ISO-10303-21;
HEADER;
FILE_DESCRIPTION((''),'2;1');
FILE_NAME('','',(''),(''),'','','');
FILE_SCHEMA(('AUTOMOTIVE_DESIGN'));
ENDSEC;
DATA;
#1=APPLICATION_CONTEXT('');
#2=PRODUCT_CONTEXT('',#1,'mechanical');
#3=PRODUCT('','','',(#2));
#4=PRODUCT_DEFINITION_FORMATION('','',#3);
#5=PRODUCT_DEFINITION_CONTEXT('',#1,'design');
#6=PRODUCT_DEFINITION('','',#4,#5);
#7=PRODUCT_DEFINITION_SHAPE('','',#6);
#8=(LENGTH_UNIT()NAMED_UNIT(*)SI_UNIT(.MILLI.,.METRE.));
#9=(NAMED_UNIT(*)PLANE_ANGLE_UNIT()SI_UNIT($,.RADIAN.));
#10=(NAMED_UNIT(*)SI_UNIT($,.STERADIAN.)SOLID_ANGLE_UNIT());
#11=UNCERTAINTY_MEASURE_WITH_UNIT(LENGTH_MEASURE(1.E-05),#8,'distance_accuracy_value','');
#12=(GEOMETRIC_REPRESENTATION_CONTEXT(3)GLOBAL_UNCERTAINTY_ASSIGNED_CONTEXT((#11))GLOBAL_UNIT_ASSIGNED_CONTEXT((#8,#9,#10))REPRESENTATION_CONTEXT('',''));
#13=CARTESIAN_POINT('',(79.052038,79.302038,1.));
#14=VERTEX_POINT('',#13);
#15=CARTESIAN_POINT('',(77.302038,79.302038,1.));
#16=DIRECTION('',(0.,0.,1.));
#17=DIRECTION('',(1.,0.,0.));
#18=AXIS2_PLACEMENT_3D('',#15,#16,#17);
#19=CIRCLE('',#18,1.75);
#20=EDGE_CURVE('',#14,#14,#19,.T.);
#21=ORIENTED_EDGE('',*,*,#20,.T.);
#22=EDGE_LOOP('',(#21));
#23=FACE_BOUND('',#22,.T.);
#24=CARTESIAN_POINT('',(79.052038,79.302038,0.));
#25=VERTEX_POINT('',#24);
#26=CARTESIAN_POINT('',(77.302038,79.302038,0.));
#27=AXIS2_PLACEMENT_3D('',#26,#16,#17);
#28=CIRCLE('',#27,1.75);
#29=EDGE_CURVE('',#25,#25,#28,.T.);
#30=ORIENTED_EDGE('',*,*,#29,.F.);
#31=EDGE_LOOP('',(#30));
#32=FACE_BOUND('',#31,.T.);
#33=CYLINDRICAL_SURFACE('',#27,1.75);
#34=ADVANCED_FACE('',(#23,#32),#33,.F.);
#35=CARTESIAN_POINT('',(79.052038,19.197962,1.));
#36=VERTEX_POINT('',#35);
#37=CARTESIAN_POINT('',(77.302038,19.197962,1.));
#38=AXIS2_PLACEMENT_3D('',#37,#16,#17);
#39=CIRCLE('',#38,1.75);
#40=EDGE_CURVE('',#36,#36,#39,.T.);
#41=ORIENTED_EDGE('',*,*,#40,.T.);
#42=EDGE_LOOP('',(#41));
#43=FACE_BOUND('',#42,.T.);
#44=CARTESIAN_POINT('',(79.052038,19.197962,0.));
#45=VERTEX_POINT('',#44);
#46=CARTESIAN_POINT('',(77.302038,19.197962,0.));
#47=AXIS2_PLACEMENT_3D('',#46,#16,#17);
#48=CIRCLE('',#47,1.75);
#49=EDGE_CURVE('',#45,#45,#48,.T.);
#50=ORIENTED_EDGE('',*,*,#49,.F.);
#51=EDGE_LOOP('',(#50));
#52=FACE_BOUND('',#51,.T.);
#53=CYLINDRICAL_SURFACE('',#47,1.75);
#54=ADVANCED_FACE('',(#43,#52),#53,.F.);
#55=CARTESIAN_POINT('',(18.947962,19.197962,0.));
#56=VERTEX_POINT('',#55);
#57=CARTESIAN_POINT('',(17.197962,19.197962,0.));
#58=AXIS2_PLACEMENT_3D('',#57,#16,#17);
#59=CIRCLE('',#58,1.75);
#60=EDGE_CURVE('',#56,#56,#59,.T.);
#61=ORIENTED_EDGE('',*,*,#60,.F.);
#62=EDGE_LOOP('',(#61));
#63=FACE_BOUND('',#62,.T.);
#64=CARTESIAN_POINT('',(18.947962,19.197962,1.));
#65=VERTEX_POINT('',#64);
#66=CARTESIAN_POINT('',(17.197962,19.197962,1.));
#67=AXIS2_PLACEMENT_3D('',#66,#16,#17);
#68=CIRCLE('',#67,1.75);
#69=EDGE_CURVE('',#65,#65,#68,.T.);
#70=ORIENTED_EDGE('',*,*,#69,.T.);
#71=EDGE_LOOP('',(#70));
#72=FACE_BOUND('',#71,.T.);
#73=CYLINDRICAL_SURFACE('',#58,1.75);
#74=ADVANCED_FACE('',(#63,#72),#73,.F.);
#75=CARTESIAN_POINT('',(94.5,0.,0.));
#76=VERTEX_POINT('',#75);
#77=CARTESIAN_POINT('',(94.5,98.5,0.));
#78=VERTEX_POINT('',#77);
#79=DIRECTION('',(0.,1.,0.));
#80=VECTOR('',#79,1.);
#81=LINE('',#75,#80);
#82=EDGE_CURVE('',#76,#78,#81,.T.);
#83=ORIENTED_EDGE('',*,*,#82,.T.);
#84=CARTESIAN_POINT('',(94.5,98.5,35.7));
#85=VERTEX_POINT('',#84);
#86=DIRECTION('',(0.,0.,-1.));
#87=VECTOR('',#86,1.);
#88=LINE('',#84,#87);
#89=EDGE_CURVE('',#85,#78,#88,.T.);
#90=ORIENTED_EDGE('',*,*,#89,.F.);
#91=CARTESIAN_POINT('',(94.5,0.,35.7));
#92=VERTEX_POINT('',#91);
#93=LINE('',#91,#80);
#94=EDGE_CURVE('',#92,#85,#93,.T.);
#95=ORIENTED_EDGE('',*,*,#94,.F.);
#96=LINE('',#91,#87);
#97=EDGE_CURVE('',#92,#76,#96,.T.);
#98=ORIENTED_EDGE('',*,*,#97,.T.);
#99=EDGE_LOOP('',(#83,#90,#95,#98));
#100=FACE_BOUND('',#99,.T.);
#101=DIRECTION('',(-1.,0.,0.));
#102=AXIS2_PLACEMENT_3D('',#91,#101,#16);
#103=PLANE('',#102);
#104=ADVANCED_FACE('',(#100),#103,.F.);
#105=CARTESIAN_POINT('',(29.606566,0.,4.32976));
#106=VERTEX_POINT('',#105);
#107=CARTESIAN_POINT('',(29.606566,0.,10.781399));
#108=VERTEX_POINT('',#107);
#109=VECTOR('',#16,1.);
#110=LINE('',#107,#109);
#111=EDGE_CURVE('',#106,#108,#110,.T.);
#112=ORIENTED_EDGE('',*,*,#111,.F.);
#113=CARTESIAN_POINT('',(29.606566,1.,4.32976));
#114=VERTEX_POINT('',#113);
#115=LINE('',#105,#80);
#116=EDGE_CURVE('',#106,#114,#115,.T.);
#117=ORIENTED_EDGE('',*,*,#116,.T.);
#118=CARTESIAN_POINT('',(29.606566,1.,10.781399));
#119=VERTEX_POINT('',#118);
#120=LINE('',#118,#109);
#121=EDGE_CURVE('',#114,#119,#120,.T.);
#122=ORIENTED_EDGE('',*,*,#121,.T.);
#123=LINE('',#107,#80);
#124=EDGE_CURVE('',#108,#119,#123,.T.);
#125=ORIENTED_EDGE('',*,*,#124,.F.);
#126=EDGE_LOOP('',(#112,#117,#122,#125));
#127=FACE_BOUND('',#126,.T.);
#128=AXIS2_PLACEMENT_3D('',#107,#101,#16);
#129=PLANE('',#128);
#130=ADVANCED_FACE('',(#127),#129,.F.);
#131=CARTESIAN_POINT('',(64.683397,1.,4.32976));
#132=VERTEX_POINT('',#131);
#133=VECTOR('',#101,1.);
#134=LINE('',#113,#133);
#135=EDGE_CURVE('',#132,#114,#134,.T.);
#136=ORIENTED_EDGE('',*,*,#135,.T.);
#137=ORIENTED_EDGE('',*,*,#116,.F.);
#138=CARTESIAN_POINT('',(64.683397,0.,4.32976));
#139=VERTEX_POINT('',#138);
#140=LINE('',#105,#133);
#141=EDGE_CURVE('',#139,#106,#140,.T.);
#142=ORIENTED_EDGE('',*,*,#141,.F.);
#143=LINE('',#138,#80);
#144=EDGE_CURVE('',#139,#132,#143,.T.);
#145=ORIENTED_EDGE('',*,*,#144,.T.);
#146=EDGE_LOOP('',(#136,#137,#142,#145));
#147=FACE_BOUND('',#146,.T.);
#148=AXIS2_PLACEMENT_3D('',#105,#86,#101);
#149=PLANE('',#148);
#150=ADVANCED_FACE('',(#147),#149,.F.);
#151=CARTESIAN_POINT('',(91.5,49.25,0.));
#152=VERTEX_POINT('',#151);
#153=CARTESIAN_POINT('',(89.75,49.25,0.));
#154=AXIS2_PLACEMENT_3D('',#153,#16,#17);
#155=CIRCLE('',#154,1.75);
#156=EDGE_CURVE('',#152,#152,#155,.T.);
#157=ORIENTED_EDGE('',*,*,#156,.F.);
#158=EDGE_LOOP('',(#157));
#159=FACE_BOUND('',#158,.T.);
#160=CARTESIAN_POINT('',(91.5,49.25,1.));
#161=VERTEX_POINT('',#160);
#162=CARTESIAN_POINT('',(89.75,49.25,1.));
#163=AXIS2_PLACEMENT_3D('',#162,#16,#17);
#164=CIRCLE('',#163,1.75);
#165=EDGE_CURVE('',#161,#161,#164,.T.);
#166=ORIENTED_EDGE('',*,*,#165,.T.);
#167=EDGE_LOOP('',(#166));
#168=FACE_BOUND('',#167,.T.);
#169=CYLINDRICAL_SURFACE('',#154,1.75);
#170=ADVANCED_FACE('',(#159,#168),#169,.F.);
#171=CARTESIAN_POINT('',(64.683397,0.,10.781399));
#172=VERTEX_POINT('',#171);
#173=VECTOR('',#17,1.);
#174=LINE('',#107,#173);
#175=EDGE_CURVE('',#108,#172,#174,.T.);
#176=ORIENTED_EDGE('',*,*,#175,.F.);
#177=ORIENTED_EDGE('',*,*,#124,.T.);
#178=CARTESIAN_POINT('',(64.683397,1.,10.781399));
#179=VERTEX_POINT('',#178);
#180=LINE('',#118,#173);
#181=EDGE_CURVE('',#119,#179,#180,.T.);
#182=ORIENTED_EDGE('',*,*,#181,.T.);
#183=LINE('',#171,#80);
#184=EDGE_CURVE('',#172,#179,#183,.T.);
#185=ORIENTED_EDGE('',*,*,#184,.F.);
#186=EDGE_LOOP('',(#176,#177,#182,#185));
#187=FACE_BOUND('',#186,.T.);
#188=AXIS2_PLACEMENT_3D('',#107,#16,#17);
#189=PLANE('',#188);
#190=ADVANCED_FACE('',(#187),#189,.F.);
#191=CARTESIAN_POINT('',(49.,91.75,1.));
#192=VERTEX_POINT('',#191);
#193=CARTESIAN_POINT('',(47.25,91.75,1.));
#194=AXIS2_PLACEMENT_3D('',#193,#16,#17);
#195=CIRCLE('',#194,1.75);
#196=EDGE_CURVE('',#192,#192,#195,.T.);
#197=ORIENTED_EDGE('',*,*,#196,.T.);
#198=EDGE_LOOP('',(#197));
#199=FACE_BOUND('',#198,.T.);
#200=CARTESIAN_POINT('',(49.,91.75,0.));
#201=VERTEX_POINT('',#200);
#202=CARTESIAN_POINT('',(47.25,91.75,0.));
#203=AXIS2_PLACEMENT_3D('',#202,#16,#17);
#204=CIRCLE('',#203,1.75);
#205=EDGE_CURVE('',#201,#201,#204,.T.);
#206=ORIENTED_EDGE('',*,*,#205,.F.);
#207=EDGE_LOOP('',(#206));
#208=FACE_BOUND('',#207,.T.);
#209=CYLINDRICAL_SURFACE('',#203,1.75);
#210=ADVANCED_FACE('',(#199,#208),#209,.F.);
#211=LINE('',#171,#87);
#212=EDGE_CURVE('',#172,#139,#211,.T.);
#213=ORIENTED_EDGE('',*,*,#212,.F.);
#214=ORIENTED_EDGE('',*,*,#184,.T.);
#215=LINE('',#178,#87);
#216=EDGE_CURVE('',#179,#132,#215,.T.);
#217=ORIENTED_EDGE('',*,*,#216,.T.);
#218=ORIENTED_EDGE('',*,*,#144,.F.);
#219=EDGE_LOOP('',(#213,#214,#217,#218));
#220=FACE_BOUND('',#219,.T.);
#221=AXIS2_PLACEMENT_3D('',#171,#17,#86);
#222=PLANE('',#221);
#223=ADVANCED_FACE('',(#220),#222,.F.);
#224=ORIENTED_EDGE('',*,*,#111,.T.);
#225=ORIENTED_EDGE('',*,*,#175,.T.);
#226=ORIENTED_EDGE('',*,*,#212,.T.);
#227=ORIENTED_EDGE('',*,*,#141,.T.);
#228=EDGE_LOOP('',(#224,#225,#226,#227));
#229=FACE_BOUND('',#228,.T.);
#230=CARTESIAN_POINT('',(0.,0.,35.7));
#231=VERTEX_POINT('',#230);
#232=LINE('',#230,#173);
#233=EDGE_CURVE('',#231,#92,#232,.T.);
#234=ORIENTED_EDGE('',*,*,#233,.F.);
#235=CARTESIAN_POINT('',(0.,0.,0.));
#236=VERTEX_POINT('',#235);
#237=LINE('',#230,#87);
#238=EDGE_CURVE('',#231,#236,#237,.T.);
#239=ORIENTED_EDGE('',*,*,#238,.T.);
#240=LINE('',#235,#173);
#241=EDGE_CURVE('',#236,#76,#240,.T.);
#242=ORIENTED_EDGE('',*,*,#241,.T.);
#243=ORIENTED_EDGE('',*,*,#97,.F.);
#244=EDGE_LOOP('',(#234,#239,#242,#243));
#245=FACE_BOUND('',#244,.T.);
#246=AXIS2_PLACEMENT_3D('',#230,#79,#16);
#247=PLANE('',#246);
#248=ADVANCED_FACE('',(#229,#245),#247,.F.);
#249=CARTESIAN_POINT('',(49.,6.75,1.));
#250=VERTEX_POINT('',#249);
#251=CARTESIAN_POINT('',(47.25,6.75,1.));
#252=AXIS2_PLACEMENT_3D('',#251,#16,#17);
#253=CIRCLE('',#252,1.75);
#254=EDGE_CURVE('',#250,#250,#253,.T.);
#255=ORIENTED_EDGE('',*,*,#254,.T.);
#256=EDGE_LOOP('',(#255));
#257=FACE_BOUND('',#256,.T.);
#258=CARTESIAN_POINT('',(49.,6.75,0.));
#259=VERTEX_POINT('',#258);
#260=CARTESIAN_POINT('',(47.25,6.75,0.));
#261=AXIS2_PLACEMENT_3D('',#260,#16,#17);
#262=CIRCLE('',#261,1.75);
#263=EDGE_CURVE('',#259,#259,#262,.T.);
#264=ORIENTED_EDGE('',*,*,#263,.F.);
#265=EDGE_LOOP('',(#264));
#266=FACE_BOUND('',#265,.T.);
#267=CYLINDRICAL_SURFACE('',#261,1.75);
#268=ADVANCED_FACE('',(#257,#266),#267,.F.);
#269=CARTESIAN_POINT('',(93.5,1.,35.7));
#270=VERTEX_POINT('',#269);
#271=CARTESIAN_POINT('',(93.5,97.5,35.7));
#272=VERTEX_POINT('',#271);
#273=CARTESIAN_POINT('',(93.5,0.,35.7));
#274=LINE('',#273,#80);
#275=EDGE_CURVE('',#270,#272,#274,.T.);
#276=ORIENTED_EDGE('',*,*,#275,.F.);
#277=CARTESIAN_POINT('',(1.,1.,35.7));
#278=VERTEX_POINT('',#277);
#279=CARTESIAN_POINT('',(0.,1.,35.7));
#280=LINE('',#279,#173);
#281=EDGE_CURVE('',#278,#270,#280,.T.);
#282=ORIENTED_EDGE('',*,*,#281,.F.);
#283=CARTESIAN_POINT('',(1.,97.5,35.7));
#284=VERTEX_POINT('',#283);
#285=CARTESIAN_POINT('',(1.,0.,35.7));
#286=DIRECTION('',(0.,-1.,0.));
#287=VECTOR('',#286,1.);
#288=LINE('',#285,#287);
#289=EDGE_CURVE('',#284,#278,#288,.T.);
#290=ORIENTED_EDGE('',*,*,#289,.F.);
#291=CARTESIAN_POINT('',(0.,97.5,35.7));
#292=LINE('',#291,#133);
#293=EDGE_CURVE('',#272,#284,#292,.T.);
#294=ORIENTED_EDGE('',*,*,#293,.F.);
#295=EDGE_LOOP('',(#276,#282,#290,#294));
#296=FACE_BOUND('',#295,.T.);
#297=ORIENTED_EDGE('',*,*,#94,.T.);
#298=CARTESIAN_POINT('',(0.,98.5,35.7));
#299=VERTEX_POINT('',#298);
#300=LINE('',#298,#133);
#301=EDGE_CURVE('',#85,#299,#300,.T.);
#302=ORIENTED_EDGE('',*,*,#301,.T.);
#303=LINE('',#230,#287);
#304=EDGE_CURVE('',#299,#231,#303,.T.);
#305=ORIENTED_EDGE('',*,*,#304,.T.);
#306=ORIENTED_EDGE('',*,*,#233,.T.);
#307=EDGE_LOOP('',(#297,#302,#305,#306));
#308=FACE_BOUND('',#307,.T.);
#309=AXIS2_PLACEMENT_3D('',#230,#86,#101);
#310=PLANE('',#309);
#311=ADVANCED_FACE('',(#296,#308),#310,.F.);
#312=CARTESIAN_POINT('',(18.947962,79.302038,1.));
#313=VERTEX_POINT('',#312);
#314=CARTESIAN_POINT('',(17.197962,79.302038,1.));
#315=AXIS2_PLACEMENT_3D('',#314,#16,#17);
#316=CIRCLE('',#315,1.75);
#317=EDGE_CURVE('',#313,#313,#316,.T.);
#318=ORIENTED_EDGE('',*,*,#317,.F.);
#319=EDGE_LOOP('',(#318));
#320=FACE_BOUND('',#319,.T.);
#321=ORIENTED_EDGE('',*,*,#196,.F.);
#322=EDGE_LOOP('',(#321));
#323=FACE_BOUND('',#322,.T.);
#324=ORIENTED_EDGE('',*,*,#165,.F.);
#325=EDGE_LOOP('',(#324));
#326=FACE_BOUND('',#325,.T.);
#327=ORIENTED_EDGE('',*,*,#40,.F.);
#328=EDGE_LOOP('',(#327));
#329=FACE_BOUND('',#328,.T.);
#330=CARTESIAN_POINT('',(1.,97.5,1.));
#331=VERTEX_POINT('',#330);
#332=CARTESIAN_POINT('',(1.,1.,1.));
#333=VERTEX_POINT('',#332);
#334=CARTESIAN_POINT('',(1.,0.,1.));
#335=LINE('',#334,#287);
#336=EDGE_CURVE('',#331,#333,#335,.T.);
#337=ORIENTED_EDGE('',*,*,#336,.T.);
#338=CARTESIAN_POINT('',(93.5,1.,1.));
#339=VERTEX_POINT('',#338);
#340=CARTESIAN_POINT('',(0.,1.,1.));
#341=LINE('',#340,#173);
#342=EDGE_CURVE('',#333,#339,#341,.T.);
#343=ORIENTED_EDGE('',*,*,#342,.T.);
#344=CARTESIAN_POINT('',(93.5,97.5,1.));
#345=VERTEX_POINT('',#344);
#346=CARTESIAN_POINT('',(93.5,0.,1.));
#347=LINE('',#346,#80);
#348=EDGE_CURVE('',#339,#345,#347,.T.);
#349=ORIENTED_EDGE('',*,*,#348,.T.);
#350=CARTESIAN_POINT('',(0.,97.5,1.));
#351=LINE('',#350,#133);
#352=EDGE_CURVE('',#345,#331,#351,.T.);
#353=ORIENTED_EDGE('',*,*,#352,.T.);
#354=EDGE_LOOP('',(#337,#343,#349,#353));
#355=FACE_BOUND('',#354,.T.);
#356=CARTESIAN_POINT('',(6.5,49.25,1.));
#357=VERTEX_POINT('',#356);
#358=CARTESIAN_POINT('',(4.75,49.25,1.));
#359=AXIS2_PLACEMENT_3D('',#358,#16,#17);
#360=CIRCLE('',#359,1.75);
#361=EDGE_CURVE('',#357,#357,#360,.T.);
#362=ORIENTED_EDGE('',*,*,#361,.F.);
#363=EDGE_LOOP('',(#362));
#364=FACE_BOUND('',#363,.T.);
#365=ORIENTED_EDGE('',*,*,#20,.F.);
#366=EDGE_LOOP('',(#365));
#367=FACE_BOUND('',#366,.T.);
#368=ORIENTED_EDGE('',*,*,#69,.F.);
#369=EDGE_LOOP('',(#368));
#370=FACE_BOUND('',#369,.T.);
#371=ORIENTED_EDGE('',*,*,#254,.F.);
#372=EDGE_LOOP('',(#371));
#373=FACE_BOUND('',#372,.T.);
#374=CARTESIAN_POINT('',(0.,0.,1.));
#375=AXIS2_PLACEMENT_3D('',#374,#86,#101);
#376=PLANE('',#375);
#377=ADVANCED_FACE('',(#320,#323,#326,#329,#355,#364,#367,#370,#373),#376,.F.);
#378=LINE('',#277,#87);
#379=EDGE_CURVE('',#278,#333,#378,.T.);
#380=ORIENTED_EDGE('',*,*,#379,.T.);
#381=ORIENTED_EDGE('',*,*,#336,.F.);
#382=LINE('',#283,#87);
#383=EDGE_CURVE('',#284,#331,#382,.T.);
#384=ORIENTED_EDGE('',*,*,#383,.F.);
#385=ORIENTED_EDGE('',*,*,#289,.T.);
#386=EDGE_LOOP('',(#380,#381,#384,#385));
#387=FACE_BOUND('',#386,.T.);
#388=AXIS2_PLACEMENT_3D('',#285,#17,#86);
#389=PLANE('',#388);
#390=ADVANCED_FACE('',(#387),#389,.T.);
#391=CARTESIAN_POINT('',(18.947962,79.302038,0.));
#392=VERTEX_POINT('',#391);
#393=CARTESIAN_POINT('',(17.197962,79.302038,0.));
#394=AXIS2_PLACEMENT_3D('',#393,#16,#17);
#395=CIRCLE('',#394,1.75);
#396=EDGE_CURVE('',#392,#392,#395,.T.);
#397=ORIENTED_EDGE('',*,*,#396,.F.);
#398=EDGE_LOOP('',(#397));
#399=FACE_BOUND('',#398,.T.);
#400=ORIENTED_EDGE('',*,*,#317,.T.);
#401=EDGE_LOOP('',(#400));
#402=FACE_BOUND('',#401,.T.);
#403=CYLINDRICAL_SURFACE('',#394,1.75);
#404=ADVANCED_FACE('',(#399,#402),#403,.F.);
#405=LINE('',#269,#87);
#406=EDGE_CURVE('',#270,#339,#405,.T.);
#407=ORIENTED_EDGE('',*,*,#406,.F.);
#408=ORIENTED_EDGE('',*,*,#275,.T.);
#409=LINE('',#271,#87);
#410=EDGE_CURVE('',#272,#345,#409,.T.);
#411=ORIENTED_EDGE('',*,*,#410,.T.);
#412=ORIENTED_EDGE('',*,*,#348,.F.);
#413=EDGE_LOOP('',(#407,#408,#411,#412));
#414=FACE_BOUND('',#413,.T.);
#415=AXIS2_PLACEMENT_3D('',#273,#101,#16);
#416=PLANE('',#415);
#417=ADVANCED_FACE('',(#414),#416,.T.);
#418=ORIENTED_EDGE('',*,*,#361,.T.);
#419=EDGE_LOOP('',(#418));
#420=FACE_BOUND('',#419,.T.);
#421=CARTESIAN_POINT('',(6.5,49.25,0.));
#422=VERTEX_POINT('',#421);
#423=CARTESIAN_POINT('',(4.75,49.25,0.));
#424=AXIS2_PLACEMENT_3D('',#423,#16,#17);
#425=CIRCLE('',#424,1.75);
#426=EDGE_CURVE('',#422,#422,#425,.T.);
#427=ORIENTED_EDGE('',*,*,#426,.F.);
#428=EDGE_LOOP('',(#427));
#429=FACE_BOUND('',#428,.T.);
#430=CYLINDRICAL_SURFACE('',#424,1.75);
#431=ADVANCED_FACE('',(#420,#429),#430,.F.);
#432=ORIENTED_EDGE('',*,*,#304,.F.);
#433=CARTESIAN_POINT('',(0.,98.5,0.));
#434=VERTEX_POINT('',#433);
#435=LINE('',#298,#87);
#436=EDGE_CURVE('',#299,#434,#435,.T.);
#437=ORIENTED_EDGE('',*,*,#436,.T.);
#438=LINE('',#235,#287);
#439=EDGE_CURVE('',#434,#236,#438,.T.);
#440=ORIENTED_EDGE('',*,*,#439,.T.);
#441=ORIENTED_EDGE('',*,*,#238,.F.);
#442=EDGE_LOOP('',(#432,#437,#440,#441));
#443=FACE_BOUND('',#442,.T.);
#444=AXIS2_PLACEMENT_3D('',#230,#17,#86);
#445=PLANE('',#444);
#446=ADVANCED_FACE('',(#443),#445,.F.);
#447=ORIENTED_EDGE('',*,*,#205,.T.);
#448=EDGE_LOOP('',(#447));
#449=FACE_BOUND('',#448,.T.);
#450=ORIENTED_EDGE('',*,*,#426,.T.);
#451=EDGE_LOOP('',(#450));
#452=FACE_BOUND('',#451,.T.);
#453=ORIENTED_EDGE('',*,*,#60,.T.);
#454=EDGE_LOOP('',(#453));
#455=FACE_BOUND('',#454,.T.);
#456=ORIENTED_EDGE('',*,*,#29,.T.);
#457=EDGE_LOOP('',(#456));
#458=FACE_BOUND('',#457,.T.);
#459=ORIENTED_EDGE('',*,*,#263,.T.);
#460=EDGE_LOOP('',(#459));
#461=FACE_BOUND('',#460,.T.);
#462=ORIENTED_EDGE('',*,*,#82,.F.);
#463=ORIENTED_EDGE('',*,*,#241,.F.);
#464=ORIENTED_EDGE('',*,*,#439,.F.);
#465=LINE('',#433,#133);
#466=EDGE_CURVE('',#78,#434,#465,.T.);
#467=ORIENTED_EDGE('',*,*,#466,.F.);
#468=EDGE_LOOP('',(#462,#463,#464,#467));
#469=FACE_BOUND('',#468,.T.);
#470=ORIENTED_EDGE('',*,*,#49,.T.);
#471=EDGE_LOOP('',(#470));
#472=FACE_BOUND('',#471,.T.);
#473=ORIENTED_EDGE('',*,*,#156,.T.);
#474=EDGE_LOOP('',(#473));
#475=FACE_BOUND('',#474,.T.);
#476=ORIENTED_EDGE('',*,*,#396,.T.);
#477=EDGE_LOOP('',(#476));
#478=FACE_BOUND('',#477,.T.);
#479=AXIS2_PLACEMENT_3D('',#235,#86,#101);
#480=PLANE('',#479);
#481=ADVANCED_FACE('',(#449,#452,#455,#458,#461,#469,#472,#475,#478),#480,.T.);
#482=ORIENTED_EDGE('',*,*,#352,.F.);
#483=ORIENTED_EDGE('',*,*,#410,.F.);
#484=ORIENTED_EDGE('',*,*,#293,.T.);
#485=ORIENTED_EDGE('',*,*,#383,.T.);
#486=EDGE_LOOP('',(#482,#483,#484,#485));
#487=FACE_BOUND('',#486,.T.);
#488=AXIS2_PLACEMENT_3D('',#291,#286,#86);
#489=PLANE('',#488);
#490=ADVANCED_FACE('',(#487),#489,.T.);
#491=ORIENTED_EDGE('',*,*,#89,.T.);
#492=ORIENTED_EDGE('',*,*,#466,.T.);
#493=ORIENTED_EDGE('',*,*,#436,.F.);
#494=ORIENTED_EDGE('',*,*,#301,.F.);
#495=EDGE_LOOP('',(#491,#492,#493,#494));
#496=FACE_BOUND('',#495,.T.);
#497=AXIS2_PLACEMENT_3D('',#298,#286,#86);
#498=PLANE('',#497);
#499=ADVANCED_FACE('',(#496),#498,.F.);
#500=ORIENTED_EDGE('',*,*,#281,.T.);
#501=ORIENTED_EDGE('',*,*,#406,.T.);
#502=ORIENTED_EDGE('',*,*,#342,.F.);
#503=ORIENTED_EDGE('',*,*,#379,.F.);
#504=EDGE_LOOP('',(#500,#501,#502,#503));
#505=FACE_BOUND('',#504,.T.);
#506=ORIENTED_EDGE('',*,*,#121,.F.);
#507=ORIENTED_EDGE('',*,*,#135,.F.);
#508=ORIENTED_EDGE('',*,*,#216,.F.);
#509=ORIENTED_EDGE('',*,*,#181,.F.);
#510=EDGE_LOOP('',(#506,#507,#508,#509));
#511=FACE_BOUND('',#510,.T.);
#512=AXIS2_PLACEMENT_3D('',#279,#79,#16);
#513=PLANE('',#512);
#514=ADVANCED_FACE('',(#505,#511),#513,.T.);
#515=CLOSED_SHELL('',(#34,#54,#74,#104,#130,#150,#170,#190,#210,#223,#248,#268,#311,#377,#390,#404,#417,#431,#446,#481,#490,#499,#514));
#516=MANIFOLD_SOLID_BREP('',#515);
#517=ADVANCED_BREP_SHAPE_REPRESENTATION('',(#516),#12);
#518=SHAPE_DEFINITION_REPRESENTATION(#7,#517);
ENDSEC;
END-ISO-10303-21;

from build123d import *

# Parameters (mm, degrees)
SKETCH_2_W          = 94.5
SKETCH_2_H          = 98.5
EXTRUDE_1_DEPTH     = 35.7
SHELL_1_T           = -1
SKETCH_5_W          = 35.076830759
SKETCH_5_H          = 6.451639633
CUT_EXTRUDE_1_DEPTH = 2
SKETCH_3_R          = 1.75
CUT_EXTRUDE_2_DEPTH = 2


with BuildPart() as part:
    # 草图2 → 凸台-拉伸1 (new body)
    with BuildSketch(Plane.XY):
        with Locations((47.25, 49.25)):
            Rectangle(SKETCH_2_W, SKETCH_2_H)
    extrude(amount=EXTRUDE_1_DEPTH)

    # 抽壳1
    shell_1_openings = [part.faces().sort_by_distance(p)[0] for p in [
        (47.25, 49.25, 35.7),
    ]]
    offset(amount=SHELL_1_T, openings=shell_1_openings, kind=Kind.INTERSECTION)

    # 草图5 → 切除-拉伸1 (cut, through all)
    with BuildSketch(Plane(origin=(0, 1, 0), x_dir=(1, 0, 0), z_dir=(0, 1, 0))):
        with Locations((47.144981411, -7.555579656)):
            Rectangle(SKETCH_5_W, SKETCH_5_H)
    extrude(amount=-CUT_EXTRUDE_1_DEPTH, mode=Mode.SUBTRACT)

    # 草图3 → 切除-拉伸2 (cut, through all)
    with BuildSketch(Plane.XY.offset(1)):
        with Locations((4.75, 49.25)):
            Circle(SKETCH_3_R)
        with Locations((17.1979618, 19.1979618)):
            Circle(SKETCH_3_R)
        with Locations((47.25, 6.75)):
            Circle(SKETCH_3_R)
        with Locations((77.302038201, 19.1979618)):
            Circle(SKETCH_3_R)
        with Locations((89.75, 49.25)):
            Circle(SKETCH_3_R)
        with Locations((77.302038201, 79.3020382)):
            Circle(SKETCH_3_R)
        with Locations((47.25, 91.75)):
            Circle(SKETCH_3_R)
        with Locations((17.1979618, 79.3020382)):
            Circle(SKETCH_3_R)
    extrude(amount=-CUT_EXTRUDE_2_DEPTH, mode=Mode.SUBTRACT)


solid = part.part
